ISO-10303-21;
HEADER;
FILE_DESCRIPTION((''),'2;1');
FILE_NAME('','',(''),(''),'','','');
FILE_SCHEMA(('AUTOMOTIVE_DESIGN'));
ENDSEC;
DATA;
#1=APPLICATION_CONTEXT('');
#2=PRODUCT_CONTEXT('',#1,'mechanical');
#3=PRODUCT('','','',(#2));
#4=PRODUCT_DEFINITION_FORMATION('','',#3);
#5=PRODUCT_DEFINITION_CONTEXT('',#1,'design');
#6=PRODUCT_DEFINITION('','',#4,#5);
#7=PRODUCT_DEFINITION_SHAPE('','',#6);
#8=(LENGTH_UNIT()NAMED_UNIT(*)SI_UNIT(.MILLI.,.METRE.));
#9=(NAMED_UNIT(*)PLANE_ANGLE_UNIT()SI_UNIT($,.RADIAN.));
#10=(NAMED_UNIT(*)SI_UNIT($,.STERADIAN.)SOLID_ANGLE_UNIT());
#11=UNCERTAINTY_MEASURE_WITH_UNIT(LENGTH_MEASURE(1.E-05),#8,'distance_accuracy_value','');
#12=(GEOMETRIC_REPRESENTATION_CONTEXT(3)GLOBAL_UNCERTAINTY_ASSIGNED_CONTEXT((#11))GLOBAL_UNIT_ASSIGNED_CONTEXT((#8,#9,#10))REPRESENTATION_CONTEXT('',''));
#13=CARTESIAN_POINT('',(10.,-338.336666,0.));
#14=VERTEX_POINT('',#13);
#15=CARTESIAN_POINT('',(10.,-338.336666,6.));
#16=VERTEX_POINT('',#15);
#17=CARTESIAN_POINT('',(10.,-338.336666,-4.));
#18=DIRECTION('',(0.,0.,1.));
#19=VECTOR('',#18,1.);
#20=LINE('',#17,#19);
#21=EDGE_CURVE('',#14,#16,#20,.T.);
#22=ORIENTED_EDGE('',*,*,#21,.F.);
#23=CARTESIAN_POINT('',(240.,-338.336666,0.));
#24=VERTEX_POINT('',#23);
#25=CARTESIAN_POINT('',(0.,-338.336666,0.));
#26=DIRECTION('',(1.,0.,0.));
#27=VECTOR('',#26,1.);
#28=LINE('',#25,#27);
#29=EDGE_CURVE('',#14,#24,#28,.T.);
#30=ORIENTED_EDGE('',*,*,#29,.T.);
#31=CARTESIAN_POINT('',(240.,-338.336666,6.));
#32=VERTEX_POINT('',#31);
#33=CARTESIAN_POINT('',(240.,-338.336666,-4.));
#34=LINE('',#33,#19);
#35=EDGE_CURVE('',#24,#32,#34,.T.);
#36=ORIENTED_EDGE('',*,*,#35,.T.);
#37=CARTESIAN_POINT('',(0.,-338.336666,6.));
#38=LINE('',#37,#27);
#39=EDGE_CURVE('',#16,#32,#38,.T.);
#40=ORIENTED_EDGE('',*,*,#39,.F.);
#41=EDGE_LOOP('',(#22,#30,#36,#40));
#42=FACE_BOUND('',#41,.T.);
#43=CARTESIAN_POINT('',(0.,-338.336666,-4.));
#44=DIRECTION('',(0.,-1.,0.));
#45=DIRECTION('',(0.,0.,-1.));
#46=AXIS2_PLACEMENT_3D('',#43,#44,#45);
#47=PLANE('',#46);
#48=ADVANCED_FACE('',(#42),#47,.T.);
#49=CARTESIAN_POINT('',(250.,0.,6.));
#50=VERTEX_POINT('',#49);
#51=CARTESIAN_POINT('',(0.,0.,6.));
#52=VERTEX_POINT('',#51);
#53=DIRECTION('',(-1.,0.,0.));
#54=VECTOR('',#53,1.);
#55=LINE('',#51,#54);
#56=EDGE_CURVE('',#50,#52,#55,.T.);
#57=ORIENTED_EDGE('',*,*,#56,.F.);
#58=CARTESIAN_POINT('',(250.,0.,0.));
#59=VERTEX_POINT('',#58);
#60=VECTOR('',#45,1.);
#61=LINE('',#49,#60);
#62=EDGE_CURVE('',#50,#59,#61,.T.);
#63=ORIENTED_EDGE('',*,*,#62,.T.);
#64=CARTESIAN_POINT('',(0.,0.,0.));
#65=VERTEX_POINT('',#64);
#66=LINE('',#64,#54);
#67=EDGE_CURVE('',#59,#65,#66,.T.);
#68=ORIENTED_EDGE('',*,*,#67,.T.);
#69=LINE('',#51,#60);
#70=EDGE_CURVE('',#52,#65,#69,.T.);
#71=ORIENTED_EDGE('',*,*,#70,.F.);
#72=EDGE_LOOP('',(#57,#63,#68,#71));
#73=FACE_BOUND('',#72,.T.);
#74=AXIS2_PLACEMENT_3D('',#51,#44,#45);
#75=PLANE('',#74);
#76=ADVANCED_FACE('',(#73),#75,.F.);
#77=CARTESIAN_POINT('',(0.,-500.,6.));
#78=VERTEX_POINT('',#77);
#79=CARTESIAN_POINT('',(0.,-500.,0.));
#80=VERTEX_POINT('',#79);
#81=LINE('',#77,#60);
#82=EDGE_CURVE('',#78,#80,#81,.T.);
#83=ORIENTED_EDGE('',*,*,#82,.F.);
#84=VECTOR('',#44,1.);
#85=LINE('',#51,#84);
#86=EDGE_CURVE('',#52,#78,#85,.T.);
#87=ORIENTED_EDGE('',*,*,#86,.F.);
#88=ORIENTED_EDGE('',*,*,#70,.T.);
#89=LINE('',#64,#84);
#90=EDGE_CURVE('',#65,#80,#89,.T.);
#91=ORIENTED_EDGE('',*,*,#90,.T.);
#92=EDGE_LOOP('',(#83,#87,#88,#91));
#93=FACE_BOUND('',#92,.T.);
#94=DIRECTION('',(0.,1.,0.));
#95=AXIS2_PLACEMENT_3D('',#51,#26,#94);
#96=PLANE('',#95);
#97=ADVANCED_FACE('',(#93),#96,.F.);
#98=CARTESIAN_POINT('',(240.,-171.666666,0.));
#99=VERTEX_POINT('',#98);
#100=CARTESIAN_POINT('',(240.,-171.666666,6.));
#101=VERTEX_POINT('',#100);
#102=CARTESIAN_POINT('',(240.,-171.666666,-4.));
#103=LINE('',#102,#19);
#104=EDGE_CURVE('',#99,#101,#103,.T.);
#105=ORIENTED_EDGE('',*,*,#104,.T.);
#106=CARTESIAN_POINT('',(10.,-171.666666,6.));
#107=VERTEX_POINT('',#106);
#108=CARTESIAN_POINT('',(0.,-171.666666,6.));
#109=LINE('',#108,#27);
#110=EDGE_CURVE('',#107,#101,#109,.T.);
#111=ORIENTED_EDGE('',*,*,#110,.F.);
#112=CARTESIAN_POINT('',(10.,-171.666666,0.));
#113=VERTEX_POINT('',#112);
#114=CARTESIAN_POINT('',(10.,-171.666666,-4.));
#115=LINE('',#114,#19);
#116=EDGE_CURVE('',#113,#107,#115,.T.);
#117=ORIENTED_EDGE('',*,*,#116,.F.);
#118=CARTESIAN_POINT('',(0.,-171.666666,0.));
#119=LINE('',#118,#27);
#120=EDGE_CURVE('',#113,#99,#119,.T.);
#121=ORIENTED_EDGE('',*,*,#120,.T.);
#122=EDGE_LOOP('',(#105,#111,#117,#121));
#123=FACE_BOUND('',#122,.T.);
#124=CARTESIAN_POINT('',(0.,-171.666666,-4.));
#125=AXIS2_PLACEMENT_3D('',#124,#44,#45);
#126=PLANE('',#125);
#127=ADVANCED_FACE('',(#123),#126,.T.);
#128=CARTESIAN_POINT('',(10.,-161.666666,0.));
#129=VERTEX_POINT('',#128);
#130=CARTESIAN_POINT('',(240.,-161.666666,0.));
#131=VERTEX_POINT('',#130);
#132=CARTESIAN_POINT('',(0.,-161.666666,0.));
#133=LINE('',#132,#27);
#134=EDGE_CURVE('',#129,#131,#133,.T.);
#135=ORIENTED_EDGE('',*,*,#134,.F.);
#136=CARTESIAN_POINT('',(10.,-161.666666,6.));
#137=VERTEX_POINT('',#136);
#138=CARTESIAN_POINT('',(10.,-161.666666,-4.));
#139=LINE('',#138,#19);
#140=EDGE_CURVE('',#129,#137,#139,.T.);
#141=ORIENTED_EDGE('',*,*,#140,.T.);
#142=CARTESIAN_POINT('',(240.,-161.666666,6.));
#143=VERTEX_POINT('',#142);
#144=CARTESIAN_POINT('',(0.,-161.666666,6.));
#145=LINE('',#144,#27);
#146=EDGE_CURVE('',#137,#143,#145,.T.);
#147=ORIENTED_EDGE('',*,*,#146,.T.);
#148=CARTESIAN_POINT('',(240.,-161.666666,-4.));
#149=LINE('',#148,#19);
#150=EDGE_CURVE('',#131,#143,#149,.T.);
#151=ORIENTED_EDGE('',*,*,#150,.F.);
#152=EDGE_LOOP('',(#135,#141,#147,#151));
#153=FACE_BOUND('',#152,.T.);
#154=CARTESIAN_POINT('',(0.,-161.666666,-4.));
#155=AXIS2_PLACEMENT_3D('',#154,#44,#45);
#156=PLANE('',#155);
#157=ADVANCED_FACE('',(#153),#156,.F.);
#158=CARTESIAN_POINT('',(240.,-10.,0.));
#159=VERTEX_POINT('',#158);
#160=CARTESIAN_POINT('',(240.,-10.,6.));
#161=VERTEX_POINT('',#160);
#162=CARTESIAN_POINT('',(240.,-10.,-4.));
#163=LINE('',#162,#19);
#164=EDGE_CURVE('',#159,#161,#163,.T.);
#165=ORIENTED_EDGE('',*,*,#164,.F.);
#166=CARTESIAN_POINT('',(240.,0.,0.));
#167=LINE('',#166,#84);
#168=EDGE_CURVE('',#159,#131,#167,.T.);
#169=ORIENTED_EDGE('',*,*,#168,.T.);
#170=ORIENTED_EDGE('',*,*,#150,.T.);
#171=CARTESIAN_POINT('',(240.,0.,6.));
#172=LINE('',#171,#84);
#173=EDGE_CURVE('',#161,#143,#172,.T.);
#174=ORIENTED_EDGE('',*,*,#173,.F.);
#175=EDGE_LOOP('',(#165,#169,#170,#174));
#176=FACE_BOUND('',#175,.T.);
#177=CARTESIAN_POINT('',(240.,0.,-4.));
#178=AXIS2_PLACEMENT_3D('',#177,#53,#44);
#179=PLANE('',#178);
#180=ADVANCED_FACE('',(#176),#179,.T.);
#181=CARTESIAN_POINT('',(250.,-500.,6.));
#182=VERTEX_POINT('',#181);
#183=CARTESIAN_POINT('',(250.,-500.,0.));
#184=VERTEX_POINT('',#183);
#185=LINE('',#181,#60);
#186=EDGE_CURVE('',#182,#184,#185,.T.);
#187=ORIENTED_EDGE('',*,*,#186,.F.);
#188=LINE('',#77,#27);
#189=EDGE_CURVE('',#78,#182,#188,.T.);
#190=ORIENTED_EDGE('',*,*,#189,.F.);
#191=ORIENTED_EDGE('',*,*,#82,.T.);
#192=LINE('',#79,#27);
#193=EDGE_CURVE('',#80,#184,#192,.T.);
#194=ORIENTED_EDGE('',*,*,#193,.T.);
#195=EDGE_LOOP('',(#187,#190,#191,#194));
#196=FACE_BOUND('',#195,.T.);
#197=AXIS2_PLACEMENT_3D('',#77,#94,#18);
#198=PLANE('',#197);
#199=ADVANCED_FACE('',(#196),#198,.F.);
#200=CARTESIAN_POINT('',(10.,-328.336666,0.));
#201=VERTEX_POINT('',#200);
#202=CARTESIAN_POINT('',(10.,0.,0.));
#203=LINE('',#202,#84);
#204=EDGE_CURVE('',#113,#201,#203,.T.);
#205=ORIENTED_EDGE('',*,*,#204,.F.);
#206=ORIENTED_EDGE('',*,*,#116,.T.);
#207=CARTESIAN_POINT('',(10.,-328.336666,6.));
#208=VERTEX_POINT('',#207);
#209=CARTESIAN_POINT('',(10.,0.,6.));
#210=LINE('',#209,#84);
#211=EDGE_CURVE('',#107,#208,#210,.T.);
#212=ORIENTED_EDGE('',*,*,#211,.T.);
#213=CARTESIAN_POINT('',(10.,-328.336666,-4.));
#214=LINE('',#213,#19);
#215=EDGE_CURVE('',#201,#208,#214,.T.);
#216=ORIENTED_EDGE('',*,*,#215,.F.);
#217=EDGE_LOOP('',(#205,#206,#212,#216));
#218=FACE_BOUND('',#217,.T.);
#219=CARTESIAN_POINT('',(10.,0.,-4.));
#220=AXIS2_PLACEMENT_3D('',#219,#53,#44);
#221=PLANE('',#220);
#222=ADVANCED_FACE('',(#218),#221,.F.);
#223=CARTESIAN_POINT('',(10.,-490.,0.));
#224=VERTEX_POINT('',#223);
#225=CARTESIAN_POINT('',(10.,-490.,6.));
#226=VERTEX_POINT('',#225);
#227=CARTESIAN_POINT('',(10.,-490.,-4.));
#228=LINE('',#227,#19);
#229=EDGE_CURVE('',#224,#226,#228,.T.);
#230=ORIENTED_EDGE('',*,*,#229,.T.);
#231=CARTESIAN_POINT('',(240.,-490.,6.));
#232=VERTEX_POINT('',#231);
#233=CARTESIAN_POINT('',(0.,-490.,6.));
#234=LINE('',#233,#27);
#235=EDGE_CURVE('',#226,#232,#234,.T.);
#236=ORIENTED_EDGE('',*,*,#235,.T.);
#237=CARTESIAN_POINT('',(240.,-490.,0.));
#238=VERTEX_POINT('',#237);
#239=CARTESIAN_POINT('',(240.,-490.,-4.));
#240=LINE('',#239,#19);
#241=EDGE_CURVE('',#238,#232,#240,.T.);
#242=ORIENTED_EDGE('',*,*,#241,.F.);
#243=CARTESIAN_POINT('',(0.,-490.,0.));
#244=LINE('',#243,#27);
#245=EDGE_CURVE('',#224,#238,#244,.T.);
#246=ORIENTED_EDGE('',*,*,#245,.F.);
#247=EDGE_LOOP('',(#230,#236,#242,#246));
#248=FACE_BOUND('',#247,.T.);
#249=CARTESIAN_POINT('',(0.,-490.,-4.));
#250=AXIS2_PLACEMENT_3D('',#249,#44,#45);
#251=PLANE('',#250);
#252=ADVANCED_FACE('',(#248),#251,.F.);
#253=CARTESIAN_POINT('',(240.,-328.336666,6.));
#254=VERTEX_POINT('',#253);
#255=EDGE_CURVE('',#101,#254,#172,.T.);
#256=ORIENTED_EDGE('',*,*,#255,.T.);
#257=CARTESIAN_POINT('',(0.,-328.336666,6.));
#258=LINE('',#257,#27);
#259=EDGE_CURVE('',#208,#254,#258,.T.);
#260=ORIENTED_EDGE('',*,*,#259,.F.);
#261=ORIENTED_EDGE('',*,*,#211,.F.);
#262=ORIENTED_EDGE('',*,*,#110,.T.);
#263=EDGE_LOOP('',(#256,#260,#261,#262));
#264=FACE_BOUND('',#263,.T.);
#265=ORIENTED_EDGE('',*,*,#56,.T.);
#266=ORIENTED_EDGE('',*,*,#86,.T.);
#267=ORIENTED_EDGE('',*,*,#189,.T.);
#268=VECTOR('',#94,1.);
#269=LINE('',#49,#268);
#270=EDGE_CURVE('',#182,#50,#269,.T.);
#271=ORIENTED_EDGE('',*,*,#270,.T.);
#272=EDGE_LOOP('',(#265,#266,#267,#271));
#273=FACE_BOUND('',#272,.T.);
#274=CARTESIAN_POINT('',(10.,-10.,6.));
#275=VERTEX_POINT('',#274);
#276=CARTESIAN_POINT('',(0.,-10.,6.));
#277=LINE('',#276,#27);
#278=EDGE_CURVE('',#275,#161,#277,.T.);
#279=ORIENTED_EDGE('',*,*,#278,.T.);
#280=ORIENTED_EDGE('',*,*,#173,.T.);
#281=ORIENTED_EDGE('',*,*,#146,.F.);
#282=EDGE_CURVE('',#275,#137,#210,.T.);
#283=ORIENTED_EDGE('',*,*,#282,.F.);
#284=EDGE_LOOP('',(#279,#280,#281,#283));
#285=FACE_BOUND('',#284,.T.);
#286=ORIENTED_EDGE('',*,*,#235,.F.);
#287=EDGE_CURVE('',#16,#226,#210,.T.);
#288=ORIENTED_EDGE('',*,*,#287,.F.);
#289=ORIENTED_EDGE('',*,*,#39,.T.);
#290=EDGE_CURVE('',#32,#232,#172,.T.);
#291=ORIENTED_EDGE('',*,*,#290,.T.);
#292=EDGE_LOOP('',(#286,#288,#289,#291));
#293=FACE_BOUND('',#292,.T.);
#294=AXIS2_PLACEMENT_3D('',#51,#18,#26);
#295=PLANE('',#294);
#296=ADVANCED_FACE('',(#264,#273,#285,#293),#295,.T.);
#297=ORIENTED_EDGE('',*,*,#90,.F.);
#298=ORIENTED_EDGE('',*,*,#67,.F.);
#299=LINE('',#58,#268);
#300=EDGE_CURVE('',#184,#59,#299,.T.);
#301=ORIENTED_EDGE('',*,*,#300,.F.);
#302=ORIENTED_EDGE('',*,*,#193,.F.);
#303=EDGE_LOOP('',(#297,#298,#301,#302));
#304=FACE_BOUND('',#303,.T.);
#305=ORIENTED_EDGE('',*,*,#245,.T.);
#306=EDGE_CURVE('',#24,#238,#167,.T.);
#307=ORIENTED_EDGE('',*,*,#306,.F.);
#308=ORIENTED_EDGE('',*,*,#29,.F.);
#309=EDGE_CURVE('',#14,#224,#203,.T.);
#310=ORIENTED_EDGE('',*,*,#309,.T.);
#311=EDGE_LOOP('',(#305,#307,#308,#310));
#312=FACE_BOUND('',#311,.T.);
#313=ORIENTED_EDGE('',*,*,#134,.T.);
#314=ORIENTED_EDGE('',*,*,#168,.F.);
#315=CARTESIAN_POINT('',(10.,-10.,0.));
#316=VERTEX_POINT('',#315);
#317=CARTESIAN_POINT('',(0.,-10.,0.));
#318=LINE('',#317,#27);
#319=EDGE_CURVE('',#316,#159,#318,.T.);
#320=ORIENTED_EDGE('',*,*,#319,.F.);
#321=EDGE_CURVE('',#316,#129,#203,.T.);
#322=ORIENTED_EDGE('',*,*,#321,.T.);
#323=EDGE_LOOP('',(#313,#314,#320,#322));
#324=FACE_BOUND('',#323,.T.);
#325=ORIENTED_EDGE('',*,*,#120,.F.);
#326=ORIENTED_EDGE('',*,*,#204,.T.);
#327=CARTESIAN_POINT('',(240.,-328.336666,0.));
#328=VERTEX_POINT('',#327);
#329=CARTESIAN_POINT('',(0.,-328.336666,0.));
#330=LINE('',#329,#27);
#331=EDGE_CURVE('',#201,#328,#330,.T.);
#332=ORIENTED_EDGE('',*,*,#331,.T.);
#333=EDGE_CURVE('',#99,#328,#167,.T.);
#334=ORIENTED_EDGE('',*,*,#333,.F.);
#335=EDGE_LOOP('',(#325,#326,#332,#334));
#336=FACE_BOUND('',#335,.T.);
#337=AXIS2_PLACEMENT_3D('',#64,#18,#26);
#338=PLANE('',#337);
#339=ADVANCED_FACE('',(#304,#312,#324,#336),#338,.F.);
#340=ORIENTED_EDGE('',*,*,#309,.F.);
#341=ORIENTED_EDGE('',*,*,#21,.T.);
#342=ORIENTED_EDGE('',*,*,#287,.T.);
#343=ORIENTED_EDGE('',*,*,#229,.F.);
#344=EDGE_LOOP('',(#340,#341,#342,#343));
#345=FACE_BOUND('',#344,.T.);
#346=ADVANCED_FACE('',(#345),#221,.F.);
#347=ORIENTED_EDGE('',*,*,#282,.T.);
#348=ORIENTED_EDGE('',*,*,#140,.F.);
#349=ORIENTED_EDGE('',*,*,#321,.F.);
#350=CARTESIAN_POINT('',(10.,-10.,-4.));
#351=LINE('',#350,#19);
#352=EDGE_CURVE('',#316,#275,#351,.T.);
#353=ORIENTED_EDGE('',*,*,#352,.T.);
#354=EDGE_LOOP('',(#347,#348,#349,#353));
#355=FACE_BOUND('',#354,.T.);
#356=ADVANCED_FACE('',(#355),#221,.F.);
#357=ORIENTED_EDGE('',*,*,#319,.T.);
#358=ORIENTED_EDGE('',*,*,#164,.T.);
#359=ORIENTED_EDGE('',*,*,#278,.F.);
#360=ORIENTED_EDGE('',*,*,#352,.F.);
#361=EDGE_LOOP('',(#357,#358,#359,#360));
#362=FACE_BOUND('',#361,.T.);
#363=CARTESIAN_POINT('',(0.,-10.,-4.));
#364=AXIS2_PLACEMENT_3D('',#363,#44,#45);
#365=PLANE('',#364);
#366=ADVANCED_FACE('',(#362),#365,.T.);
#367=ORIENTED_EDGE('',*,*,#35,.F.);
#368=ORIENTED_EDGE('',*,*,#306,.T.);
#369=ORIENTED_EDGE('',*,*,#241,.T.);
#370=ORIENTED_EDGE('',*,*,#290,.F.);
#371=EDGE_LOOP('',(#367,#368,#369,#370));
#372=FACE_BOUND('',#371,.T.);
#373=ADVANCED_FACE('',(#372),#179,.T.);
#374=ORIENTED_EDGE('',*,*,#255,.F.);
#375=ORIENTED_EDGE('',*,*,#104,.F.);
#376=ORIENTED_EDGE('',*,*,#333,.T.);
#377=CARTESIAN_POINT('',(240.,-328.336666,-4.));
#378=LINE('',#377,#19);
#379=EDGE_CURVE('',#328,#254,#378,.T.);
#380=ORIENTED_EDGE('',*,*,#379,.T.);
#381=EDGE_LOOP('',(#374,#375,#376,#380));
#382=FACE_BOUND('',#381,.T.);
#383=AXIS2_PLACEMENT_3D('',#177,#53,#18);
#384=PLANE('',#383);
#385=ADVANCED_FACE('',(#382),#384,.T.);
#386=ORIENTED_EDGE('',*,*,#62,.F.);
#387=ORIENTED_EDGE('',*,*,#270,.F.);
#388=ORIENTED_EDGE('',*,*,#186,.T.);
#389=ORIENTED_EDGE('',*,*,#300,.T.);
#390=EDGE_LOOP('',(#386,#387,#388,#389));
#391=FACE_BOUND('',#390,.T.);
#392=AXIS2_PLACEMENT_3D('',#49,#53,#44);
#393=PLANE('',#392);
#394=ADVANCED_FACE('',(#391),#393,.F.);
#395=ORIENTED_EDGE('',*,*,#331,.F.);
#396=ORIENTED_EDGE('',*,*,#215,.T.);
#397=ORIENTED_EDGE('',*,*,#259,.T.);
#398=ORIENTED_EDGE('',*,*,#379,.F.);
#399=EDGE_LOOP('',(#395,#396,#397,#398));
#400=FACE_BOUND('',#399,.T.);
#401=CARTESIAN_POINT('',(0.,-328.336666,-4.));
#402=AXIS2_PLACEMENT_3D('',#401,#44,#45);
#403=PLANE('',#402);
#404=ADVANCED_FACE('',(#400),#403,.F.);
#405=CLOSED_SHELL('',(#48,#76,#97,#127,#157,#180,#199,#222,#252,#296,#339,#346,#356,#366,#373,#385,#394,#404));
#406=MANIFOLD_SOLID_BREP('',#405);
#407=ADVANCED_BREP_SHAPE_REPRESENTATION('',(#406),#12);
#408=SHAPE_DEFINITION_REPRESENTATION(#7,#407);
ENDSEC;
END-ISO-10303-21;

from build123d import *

# Parameters (mm, degrees)
ESBO_O1_W                = 250
ESBO_O1_H                = 500
RESSALTO_EXTRUS_O1_DEPTH = 6
ESBO_O3_W                = 230
ESBO_O3_H                = 156.67
ESBO_O3_H_2              = 151.666666
ESBO_O3_H_3              = 151.663334
CORTE_EXTRUS_O1_DEPTH    = 10


with BuildPart() as part:
    # Esboço1 → Ressalto-extrusão1 (new body)
    with BuildSketch(Plane.XY):
        with Locations((125, -250)):
            Rectangle(ESBO_O1_W, ESBO_O1_H)
    extrude(amount=RESSALTO_EXTRUS_O1_DEPTH)

    # Esboço3 → Corte-extrusão1 (cut)
    with BuildSketch(Plane.XY.offset(6)):
        with Locations((125, -250.001666)):
            Rectangle(ESBO_O3_W, ESBO_O3_H)
        with Locations((125, -85.833333)):
            Rectangle(ESBO_O3_W, ESBO_O3_H_2)
        with Locations((125, -414.168333)):
            Rectangle(ESBO_O3_W, ESBO_O3_H_3)
    extrude(amount=-CORTE_EXTRUS_O1_DEPTH, mode=Mode.SUBTRACT)


solid = part.part
